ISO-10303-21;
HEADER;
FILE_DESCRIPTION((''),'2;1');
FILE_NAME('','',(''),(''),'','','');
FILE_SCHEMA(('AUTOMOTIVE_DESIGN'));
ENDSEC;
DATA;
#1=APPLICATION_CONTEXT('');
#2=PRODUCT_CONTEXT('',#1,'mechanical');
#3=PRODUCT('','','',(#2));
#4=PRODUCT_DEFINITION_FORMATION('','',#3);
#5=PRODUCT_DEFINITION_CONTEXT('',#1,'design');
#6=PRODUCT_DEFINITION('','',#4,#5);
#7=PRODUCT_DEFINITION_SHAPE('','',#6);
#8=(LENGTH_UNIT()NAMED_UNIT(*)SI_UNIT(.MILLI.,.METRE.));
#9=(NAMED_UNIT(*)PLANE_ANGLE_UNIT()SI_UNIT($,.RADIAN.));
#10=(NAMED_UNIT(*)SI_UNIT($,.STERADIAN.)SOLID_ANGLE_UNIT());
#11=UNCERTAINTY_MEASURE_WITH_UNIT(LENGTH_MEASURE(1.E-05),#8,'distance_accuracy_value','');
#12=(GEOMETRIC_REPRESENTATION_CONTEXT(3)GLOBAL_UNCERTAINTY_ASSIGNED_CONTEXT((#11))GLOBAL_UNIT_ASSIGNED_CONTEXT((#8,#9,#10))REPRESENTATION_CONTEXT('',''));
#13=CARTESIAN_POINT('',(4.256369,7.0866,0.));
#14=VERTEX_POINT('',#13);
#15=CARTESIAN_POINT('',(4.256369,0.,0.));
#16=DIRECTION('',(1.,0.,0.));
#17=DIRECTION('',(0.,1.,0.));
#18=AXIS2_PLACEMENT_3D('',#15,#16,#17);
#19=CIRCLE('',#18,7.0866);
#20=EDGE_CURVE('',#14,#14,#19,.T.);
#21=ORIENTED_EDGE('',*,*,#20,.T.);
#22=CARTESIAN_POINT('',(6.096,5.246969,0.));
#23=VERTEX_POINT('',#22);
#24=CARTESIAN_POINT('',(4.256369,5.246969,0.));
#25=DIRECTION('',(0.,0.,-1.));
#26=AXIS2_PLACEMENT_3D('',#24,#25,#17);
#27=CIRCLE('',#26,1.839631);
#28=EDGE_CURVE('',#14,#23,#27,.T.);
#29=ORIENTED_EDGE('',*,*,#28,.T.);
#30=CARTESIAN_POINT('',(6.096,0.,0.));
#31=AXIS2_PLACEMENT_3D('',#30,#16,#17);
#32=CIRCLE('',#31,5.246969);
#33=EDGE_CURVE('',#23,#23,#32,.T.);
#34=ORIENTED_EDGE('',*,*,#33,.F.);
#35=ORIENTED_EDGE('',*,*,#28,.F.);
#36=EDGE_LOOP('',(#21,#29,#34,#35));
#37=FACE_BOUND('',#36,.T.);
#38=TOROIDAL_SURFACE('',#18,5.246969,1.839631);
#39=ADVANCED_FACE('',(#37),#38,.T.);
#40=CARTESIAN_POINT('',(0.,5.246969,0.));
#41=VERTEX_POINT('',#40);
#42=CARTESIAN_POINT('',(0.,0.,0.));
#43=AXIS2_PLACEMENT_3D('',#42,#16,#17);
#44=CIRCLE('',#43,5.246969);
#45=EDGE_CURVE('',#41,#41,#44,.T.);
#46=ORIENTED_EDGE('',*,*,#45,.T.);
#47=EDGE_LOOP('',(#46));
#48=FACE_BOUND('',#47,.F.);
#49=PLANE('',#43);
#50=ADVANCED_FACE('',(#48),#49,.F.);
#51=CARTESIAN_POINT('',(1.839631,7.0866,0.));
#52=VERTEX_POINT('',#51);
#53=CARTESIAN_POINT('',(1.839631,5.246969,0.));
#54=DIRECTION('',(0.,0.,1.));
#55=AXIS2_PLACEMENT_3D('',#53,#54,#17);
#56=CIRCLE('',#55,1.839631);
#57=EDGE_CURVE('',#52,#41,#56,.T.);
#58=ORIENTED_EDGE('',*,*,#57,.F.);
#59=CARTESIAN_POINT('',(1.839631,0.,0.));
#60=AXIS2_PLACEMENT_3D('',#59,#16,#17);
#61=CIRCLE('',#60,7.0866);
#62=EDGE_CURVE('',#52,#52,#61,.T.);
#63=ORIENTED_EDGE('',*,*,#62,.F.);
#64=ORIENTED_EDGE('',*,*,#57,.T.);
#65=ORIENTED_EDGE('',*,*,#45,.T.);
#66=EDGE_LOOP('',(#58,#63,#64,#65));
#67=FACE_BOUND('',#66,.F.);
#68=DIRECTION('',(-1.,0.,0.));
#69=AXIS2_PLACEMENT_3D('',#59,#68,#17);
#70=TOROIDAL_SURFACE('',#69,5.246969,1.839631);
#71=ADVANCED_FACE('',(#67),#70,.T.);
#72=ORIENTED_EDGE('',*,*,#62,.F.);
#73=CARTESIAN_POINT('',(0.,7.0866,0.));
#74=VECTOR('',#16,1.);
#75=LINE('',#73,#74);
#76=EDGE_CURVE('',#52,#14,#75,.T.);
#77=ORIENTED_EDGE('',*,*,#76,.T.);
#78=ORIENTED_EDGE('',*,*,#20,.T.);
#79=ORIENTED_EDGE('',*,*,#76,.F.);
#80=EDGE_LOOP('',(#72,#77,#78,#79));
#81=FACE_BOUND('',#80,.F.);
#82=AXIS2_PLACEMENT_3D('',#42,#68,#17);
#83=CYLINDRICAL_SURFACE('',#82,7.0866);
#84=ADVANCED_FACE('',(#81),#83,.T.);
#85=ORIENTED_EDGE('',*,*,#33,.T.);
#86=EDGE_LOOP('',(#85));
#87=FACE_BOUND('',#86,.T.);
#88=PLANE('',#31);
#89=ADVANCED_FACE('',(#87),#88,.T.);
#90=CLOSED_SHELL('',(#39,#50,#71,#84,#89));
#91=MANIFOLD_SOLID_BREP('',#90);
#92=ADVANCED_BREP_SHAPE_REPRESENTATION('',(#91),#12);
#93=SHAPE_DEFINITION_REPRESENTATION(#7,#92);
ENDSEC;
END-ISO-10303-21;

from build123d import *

# Parameters (mm, degrees)
F0_R     = 7.0866
F1_DEPTH = 6.096
F2_R     = 1.839631


with BuildPart() as f1:
    # F0 (on Right) → F1 (new body)
    with BuildSketch(Plane.YZ):
        Circle(F0_R)
    extrude(amount=F1_DEPTH)

    # F2
    f2_edges = [f1.edges().sort_by_distance(p)[0] for p in [
        (3.048, 7.0866, 0),
        (0, -7.0866, 0),
        (6.096, -7.0866, 0),
    ]]
    fillet(f2_edges, radius=F2_R)


solid = f1.part
